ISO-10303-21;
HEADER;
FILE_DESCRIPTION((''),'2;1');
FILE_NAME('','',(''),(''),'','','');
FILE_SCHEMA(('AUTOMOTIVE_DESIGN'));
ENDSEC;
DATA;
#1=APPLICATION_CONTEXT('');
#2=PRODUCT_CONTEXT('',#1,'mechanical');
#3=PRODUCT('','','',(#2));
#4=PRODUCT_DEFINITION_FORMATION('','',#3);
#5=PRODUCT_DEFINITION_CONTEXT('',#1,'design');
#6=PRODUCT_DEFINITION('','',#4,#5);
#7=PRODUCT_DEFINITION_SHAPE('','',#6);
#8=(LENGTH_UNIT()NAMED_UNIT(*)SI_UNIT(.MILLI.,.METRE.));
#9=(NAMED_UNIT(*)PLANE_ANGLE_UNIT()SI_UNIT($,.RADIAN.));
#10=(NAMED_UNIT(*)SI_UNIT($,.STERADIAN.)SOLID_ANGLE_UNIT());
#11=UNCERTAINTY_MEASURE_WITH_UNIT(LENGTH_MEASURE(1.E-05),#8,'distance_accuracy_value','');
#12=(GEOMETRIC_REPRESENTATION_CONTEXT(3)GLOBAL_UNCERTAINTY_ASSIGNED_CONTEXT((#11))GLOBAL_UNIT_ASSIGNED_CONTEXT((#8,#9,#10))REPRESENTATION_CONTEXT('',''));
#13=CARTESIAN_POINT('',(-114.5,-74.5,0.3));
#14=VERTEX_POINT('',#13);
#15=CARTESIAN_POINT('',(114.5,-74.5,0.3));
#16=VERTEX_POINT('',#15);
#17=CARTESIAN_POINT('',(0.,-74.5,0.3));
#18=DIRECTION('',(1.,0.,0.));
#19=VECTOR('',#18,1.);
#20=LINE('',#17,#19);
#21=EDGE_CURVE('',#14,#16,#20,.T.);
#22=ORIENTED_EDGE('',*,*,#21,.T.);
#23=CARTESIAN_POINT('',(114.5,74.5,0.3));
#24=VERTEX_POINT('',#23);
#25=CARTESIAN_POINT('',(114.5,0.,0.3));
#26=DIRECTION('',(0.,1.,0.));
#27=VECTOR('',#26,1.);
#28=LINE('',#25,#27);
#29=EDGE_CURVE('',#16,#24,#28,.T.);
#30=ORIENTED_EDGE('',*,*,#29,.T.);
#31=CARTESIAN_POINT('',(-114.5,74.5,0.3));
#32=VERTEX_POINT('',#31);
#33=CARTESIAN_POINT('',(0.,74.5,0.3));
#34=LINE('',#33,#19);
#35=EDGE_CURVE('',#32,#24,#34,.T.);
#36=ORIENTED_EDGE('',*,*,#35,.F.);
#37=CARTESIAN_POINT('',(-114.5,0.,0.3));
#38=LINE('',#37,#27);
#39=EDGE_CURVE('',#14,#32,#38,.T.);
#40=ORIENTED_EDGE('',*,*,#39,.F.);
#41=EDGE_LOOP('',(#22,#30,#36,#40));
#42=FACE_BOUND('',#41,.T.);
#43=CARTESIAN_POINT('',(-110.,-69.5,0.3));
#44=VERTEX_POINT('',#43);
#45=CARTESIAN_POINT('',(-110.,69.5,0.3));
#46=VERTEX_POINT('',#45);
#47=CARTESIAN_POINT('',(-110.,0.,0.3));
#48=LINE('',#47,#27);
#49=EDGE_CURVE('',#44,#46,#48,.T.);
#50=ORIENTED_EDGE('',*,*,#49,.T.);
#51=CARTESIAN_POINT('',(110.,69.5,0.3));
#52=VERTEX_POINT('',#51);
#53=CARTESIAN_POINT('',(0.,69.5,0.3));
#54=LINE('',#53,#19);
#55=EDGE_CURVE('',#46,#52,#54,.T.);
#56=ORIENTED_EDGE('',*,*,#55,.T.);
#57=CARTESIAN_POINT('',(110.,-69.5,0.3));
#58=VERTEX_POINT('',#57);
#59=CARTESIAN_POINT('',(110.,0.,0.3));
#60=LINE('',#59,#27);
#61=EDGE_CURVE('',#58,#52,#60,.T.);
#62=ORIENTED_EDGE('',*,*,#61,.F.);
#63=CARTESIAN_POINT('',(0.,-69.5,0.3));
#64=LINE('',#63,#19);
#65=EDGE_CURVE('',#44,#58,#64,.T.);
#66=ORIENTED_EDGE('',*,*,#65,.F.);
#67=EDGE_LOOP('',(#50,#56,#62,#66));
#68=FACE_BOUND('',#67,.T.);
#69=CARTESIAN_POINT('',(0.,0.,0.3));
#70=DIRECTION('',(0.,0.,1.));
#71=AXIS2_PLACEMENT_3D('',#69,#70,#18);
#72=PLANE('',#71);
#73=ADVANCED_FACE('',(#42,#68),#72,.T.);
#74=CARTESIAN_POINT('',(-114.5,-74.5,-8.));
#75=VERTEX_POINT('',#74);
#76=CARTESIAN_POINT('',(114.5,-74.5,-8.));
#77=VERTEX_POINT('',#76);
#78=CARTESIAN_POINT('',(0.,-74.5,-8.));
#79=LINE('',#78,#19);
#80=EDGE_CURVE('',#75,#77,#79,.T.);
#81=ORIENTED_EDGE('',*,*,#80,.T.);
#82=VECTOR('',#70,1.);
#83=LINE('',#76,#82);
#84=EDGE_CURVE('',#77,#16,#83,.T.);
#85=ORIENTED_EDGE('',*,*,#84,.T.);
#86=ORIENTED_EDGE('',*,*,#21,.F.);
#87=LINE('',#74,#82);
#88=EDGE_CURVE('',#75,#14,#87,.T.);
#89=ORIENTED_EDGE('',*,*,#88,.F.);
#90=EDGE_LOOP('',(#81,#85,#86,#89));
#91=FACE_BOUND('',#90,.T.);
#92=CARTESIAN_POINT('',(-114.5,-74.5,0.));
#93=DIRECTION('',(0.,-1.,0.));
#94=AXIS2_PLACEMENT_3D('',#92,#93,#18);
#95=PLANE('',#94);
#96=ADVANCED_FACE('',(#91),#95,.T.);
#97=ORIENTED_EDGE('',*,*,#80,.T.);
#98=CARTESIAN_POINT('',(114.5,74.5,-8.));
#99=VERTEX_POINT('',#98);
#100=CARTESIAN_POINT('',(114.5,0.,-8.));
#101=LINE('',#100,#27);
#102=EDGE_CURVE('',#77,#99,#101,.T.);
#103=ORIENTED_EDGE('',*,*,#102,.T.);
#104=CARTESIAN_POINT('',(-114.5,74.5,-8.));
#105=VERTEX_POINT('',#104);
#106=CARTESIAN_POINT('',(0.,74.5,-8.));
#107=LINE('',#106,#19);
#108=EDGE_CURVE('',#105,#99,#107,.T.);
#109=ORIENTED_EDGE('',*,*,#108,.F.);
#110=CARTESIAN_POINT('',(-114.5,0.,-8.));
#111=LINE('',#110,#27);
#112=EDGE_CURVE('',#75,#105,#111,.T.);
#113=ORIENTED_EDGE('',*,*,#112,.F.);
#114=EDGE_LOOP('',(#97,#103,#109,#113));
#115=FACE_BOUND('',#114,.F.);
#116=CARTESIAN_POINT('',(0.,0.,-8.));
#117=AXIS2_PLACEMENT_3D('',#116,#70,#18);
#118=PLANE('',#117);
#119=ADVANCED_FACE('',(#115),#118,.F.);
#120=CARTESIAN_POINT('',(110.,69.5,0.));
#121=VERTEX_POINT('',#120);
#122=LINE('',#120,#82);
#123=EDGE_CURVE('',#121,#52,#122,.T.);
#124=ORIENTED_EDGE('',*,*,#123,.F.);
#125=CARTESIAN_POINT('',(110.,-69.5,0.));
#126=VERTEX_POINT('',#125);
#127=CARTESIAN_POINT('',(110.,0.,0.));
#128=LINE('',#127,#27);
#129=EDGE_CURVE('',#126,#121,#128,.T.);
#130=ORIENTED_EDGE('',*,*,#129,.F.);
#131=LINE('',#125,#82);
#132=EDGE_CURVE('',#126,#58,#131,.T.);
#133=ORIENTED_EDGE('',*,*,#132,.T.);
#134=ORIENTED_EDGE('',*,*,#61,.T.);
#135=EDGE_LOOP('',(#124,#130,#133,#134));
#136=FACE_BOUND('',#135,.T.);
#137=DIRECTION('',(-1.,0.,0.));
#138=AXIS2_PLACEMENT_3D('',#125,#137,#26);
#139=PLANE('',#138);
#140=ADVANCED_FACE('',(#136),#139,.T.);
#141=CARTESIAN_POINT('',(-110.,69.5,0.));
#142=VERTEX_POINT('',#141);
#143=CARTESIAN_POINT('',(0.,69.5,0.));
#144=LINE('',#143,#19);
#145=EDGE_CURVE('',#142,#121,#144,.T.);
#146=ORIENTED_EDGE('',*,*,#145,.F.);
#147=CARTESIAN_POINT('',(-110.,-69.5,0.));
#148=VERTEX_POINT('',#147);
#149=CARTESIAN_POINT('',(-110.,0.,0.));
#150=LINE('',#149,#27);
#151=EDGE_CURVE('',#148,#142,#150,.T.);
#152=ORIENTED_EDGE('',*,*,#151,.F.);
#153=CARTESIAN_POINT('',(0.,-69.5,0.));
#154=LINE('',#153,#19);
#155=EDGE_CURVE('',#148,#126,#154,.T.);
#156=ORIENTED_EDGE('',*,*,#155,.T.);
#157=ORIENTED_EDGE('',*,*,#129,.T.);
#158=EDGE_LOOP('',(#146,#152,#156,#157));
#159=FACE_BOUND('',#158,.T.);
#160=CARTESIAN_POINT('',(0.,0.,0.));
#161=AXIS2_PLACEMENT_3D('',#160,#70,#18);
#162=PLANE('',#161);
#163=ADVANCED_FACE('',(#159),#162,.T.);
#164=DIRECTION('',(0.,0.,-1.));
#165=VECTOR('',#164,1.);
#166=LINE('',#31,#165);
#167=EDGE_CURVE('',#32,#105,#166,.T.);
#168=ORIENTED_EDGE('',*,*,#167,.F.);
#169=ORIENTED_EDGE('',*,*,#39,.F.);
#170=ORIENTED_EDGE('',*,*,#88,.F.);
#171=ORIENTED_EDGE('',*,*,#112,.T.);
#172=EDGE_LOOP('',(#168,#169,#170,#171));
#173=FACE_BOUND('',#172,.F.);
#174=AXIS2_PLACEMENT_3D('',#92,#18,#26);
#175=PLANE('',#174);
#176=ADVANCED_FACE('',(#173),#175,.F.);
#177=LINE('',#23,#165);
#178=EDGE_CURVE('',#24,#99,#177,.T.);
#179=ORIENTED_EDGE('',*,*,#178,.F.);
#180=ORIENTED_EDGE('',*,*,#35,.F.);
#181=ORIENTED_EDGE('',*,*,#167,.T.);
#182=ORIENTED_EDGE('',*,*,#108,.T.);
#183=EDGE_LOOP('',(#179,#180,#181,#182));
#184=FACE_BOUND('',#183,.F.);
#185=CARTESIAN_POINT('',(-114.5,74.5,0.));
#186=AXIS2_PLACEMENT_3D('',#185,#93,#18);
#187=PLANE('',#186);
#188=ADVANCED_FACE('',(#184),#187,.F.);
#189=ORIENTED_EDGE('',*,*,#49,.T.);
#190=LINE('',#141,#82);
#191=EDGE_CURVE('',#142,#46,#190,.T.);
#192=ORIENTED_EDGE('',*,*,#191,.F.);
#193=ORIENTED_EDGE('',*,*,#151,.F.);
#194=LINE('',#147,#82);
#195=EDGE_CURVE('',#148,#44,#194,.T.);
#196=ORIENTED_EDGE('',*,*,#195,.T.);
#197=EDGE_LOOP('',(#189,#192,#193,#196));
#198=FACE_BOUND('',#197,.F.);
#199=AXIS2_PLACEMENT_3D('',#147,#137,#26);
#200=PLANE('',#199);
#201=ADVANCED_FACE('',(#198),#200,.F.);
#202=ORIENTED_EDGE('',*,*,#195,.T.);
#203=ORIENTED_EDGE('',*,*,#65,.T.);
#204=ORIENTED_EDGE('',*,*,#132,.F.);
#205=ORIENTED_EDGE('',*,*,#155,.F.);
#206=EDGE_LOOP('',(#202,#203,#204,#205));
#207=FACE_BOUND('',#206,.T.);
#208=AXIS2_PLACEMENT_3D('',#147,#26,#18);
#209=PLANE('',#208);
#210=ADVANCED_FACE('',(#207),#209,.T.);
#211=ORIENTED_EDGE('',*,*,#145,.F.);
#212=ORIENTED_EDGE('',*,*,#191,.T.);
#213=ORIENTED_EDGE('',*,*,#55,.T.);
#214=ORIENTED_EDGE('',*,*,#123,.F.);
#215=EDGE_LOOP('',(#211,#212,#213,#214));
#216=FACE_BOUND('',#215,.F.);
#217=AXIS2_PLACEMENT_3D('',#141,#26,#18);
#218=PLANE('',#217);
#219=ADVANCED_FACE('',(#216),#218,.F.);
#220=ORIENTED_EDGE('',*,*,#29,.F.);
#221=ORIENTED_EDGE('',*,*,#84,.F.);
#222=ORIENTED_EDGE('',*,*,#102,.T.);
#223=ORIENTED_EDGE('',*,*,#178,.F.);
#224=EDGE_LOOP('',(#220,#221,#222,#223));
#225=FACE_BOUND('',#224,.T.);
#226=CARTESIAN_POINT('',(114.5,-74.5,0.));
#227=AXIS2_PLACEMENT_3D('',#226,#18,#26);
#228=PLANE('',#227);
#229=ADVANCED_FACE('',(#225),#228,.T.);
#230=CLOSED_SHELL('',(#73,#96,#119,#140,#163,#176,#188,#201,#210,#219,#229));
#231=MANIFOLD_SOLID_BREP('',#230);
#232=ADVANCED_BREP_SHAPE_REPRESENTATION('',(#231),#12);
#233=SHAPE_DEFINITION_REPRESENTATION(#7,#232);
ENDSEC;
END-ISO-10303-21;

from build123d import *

# Parameters (mm, degrees)
F0_W          = 220
F0_H          = 139
F1_DEPTH      = 8
F0_W_2        = 229
F0_H_2        = 149
F2_DEPTH      = 0.3
F2_DEPTH_BACK = 8


with BuildPart() as f1:
    # F0 (on Top) → F1 (new body)
    with BuildSketch(Plane.XY):
        Rectangle(F0_W, F0_H)
    extrude(amount=-F1_DEPTH)

    # F0 (on Top) → F2 (join, two sides)
    with BuildSketch(Plane.XY) as f2_sk:
        Rectangle(F0_W_2, F0_H_2)
        Rectangle(F0_W, F0_H, mode=Mode.SUBTRACT)
    extrude(amount=F2_DEPTH)
    extrude(f2_sk.sketch, amount=-F2_DEPTH_BACK)


solid = f1.part
